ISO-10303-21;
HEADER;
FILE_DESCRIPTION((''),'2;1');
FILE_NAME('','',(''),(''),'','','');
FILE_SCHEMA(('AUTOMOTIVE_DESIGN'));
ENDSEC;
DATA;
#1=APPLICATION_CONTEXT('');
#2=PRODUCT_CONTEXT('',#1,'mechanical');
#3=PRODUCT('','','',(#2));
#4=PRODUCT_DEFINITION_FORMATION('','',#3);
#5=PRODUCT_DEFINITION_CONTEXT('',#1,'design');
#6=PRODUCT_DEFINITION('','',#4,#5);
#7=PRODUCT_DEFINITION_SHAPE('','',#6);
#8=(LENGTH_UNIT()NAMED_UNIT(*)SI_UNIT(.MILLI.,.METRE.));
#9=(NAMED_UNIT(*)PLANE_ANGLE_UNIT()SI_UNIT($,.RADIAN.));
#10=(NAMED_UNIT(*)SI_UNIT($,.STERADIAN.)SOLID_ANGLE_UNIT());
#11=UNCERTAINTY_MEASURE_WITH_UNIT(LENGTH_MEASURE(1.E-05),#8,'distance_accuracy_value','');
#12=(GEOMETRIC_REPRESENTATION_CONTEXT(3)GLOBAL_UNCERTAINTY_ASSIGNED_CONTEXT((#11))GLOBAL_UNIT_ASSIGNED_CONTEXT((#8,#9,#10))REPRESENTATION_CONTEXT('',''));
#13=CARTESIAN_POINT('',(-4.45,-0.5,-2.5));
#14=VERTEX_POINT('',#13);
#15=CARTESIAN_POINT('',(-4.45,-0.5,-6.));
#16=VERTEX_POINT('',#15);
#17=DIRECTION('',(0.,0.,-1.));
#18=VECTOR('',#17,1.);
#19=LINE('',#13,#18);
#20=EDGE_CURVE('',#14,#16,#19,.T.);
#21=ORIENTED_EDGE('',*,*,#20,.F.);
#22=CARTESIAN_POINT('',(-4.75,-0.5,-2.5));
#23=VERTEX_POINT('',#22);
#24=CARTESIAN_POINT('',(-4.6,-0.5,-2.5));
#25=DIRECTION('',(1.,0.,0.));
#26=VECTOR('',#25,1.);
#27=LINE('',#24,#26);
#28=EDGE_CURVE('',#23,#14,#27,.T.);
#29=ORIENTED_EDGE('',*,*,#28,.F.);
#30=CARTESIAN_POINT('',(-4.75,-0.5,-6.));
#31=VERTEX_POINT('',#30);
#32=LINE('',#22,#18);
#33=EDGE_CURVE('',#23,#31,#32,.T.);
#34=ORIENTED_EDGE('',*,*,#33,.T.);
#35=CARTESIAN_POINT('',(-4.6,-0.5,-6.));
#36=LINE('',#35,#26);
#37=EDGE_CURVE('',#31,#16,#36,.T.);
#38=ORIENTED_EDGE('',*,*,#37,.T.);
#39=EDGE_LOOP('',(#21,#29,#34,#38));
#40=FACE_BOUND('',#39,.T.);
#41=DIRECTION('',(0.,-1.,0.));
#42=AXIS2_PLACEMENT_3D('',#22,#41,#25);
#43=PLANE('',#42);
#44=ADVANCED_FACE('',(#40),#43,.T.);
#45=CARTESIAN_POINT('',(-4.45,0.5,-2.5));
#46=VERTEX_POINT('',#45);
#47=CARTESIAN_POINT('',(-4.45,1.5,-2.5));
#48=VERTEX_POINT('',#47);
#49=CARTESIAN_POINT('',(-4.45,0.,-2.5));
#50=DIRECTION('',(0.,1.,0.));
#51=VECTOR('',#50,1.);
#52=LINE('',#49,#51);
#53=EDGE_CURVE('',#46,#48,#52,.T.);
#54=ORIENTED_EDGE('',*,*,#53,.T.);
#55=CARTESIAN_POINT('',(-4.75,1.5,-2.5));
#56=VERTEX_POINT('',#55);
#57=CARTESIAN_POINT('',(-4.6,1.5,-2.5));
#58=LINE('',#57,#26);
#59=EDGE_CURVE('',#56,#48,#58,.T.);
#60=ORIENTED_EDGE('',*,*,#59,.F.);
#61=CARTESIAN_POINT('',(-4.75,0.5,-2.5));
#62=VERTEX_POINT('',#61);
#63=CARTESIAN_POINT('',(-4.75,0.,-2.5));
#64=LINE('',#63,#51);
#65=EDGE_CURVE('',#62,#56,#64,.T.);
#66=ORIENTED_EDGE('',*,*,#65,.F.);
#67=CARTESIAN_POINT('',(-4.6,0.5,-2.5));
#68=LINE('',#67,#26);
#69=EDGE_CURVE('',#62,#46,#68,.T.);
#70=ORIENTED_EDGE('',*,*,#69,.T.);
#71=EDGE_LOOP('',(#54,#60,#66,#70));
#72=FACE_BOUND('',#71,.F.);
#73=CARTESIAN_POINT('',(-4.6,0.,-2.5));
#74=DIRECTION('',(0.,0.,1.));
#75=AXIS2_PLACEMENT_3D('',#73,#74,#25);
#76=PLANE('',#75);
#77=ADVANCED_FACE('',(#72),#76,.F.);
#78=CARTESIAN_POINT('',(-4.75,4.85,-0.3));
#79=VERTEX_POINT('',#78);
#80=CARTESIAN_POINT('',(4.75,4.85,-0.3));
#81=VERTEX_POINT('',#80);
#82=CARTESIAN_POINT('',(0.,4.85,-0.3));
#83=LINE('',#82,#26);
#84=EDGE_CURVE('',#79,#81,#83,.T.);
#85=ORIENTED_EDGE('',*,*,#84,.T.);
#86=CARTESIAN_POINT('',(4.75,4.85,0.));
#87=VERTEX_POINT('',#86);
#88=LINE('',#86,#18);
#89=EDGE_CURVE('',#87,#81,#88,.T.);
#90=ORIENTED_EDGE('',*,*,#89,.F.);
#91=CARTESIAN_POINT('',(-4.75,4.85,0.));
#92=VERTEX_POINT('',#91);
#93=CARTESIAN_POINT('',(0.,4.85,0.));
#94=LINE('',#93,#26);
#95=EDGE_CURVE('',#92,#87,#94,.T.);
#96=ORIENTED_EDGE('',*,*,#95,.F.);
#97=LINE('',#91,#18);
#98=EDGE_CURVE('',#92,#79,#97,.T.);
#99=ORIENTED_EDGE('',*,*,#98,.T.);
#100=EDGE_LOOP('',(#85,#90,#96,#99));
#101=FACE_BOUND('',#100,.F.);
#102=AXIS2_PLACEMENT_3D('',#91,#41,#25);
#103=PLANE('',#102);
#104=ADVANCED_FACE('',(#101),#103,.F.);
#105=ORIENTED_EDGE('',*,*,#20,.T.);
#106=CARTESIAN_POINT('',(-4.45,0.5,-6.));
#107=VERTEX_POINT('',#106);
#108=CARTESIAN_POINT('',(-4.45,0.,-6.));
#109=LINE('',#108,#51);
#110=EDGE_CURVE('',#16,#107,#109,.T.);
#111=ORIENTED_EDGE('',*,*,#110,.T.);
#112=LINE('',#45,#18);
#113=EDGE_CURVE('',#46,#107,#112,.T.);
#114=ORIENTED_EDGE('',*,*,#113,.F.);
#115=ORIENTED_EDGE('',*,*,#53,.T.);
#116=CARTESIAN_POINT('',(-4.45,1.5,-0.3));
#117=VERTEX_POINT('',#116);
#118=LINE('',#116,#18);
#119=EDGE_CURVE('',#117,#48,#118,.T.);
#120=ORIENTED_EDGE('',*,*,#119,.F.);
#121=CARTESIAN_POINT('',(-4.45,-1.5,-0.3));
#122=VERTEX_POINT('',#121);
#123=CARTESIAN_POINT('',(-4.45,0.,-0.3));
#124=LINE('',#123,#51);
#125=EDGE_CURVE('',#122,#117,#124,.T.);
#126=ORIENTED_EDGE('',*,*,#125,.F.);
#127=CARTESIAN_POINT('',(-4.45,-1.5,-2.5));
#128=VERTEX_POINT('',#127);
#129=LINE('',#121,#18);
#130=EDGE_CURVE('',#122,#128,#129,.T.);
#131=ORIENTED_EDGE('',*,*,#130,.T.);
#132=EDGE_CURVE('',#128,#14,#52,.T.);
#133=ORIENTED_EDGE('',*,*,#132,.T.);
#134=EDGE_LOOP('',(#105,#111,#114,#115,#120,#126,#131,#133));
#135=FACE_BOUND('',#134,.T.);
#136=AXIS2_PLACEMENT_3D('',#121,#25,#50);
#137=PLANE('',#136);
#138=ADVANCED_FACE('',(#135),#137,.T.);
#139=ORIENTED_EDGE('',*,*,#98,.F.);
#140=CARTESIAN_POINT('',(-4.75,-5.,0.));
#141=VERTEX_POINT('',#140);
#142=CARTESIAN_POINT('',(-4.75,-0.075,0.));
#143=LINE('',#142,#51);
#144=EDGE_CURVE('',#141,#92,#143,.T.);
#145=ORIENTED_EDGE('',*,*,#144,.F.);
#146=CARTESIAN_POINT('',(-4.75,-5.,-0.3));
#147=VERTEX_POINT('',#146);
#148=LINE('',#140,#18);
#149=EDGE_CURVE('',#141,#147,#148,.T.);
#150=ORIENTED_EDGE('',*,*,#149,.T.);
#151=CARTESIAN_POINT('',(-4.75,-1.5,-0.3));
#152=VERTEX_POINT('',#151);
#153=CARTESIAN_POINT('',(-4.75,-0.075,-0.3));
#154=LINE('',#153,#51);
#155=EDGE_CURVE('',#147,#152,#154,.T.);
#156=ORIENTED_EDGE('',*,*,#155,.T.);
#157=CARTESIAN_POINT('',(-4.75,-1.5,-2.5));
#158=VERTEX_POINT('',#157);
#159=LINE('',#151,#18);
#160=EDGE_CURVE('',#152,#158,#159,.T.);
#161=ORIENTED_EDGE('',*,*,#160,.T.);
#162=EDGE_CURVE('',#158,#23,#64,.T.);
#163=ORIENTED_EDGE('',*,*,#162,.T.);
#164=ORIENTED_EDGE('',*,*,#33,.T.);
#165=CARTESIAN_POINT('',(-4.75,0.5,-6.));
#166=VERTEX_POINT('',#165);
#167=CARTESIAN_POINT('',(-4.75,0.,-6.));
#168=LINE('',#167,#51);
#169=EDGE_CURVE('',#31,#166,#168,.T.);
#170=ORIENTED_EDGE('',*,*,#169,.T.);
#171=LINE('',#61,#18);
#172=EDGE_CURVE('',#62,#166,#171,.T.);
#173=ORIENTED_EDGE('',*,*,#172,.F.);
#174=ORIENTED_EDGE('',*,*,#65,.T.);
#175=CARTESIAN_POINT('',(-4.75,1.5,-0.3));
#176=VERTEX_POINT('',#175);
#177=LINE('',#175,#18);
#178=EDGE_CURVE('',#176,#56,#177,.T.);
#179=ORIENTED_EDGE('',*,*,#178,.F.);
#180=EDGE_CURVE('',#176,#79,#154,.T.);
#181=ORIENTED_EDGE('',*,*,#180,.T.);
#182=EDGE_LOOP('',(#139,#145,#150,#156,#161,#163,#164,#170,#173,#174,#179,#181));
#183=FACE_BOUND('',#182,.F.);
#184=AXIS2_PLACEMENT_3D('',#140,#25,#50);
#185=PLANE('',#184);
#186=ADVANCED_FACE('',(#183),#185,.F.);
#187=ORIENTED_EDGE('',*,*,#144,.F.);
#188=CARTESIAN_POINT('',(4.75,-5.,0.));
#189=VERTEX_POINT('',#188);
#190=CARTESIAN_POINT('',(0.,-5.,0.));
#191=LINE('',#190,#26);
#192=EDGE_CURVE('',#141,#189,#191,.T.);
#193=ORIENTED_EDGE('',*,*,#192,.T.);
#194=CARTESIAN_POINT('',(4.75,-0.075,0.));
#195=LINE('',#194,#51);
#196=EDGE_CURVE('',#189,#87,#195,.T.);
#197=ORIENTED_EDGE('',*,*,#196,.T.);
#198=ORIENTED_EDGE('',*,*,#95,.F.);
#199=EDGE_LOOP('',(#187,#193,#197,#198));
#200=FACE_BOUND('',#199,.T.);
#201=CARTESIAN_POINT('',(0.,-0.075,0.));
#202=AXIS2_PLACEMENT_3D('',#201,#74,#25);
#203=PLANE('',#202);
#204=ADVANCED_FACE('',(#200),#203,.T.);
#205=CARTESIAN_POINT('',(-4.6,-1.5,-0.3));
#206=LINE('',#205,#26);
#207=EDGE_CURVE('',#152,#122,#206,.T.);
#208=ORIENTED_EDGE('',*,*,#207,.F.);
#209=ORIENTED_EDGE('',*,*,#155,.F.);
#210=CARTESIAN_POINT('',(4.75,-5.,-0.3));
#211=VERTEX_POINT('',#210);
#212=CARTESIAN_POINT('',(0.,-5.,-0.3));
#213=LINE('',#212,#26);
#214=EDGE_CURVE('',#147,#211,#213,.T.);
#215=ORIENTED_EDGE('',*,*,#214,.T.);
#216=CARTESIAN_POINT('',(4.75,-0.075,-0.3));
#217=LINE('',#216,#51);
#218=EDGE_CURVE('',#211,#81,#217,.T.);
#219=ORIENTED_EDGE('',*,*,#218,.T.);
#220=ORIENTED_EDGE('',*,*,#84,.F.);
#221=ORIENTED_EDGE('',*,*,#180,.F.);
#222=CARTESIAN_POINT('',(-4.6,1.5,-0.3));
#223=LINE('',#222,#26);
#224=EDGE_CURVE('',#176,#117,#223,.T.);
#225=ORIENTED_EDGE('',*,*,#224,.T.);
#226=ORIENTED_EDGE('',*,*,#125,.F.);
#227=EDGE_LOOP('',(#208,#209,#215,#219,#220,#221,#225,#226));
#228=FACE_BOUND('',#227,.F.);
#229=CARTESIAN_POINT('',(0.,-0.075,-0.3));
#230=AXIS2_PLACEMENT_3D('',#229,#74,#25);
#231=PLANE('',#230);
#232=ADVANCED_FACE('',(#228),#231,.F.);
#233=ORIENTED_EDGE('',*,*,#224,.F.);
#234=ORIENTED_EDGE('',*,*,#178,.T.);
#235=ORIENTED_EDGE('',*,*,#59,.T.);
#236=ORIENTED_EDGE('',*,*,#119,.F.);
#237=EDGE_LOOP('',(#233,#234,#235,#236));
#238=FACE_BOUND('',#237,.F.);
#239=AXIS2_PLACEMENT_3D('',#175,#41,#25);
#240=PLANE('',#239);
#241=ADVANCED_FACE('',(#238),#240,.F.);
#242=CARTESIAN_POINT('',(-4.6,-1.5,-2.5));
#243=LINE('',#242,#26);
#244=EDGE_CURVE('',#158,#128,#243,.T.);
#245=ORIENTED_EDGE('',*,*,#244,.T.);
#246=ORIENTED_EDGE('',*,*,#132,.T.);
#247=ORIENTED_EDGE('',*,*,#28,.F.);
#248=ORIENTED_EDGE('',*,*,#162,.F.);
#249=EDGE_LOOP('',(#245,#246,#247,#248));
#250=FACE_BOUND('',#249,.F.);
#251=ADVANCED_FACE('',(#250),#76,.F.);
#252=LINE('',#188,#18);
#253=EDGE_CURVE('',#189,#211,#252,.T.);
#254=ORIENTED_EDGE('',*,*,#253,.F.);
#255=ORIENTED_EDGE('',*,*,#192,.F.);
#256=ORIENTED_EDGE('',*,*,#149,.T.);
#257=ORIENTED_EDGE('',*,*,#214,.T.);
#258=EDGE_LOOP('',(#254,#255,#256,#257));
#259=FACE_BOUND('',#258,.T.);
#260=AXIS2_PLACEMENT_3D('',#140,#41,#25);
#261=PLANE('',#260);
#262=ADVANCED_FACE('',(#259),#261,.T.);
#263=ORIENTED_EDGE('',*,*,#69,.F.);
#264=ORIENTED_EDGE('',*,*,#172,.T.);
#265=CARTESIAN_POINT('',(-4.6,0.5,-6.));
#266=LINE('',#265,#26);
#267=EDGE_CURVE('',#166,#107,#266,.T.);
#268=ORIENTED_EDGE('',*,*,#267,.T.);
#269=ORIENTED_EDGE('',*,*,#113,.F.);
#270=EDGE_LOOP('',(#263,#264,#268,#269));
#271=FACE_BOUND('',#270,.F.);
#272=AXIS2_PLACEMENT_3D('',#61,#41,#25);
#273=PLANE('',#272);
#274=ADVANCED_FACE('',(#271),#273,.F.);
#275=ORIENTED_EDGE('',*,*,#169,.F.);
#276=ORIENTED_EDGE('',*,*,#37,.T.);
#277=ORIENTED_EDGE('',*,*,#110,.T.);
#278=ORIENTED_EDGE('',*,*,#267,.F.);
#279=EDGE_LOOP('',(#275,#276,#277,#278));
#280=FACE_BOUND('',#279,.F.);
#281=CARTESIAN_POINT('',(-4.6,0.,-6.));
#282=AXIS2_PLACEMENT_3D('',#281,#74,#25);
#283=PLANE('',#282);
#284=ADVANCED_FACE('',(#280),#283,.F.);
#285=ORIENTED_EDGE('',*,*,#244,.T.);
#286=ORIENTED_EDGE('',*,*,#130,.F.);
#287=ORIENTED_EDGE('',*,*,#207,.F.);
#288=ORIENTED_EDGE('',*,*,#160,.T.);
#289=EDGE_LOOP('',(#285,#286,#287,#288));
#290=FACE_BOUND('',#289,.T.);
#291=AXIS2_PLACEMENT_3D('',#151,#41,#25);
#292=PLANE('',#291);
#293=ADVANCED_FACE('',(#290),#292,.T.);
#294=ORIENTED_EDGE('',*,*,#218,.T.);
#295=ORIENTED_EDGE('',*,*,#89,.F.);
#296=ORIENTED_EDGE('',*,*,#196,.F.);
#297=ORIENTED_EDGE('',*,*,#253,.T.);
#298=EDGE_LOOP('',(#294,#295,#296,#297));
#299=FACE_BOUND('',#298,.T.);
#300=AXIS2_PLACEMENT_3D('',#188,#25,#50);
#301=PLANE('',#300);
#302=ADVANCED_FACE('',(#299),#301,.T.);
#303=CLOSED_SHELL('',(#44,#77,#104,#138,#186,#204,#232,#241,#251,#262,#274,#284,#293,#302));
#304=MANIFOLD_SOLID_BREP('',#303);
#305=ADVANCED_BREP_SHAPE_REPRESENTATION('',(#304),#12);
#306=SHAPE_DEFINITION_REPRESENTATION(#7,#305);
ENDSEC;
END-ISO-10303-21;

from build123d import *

# Parameters (mm, degrees)
SKETCH014_W  = 9.5
SKETCH014_H  = 9.85
PAD007_DEPTH = 0.3
SKETCH015_W  = 0.3
SKETCH015_H  = 3
PAD008_DEPTH = 2.2
SKETCH016_W  = 0.3
SKETCH016_H  = 1
PAD009_DEPTH = 3.5


with BuildPart() as part:
    # Sketch014 → Pad007 (new body)
    with BuildSketch(Plane.XY):
        with Locations((0, -0.075)):
            Rectangle(SKETCH014_W, SKETCH014_H)
    extrude(amount=-PAD007_DEPTH)

    # Sketch015 → Pad008 (join)
    with BuildSketch(Plane.XY.offset(-0.3)):
        with Locations((-4.6, 0)):
            Rectangle(SKETCH015_W, SKETCH015_H)
    extrude(amount=-PAD008_DEPTH)

    # Sketch016 → Pad009 (join)
    with BuildSketch(Plane.XY.offset(-2.5)):
        with Locations((-4.6, 0)):
            Rectangle(SKETCH016_W, SKETCH016_H)
    extrude(amount=-PAD009_DEPTH)


solid = part.part
